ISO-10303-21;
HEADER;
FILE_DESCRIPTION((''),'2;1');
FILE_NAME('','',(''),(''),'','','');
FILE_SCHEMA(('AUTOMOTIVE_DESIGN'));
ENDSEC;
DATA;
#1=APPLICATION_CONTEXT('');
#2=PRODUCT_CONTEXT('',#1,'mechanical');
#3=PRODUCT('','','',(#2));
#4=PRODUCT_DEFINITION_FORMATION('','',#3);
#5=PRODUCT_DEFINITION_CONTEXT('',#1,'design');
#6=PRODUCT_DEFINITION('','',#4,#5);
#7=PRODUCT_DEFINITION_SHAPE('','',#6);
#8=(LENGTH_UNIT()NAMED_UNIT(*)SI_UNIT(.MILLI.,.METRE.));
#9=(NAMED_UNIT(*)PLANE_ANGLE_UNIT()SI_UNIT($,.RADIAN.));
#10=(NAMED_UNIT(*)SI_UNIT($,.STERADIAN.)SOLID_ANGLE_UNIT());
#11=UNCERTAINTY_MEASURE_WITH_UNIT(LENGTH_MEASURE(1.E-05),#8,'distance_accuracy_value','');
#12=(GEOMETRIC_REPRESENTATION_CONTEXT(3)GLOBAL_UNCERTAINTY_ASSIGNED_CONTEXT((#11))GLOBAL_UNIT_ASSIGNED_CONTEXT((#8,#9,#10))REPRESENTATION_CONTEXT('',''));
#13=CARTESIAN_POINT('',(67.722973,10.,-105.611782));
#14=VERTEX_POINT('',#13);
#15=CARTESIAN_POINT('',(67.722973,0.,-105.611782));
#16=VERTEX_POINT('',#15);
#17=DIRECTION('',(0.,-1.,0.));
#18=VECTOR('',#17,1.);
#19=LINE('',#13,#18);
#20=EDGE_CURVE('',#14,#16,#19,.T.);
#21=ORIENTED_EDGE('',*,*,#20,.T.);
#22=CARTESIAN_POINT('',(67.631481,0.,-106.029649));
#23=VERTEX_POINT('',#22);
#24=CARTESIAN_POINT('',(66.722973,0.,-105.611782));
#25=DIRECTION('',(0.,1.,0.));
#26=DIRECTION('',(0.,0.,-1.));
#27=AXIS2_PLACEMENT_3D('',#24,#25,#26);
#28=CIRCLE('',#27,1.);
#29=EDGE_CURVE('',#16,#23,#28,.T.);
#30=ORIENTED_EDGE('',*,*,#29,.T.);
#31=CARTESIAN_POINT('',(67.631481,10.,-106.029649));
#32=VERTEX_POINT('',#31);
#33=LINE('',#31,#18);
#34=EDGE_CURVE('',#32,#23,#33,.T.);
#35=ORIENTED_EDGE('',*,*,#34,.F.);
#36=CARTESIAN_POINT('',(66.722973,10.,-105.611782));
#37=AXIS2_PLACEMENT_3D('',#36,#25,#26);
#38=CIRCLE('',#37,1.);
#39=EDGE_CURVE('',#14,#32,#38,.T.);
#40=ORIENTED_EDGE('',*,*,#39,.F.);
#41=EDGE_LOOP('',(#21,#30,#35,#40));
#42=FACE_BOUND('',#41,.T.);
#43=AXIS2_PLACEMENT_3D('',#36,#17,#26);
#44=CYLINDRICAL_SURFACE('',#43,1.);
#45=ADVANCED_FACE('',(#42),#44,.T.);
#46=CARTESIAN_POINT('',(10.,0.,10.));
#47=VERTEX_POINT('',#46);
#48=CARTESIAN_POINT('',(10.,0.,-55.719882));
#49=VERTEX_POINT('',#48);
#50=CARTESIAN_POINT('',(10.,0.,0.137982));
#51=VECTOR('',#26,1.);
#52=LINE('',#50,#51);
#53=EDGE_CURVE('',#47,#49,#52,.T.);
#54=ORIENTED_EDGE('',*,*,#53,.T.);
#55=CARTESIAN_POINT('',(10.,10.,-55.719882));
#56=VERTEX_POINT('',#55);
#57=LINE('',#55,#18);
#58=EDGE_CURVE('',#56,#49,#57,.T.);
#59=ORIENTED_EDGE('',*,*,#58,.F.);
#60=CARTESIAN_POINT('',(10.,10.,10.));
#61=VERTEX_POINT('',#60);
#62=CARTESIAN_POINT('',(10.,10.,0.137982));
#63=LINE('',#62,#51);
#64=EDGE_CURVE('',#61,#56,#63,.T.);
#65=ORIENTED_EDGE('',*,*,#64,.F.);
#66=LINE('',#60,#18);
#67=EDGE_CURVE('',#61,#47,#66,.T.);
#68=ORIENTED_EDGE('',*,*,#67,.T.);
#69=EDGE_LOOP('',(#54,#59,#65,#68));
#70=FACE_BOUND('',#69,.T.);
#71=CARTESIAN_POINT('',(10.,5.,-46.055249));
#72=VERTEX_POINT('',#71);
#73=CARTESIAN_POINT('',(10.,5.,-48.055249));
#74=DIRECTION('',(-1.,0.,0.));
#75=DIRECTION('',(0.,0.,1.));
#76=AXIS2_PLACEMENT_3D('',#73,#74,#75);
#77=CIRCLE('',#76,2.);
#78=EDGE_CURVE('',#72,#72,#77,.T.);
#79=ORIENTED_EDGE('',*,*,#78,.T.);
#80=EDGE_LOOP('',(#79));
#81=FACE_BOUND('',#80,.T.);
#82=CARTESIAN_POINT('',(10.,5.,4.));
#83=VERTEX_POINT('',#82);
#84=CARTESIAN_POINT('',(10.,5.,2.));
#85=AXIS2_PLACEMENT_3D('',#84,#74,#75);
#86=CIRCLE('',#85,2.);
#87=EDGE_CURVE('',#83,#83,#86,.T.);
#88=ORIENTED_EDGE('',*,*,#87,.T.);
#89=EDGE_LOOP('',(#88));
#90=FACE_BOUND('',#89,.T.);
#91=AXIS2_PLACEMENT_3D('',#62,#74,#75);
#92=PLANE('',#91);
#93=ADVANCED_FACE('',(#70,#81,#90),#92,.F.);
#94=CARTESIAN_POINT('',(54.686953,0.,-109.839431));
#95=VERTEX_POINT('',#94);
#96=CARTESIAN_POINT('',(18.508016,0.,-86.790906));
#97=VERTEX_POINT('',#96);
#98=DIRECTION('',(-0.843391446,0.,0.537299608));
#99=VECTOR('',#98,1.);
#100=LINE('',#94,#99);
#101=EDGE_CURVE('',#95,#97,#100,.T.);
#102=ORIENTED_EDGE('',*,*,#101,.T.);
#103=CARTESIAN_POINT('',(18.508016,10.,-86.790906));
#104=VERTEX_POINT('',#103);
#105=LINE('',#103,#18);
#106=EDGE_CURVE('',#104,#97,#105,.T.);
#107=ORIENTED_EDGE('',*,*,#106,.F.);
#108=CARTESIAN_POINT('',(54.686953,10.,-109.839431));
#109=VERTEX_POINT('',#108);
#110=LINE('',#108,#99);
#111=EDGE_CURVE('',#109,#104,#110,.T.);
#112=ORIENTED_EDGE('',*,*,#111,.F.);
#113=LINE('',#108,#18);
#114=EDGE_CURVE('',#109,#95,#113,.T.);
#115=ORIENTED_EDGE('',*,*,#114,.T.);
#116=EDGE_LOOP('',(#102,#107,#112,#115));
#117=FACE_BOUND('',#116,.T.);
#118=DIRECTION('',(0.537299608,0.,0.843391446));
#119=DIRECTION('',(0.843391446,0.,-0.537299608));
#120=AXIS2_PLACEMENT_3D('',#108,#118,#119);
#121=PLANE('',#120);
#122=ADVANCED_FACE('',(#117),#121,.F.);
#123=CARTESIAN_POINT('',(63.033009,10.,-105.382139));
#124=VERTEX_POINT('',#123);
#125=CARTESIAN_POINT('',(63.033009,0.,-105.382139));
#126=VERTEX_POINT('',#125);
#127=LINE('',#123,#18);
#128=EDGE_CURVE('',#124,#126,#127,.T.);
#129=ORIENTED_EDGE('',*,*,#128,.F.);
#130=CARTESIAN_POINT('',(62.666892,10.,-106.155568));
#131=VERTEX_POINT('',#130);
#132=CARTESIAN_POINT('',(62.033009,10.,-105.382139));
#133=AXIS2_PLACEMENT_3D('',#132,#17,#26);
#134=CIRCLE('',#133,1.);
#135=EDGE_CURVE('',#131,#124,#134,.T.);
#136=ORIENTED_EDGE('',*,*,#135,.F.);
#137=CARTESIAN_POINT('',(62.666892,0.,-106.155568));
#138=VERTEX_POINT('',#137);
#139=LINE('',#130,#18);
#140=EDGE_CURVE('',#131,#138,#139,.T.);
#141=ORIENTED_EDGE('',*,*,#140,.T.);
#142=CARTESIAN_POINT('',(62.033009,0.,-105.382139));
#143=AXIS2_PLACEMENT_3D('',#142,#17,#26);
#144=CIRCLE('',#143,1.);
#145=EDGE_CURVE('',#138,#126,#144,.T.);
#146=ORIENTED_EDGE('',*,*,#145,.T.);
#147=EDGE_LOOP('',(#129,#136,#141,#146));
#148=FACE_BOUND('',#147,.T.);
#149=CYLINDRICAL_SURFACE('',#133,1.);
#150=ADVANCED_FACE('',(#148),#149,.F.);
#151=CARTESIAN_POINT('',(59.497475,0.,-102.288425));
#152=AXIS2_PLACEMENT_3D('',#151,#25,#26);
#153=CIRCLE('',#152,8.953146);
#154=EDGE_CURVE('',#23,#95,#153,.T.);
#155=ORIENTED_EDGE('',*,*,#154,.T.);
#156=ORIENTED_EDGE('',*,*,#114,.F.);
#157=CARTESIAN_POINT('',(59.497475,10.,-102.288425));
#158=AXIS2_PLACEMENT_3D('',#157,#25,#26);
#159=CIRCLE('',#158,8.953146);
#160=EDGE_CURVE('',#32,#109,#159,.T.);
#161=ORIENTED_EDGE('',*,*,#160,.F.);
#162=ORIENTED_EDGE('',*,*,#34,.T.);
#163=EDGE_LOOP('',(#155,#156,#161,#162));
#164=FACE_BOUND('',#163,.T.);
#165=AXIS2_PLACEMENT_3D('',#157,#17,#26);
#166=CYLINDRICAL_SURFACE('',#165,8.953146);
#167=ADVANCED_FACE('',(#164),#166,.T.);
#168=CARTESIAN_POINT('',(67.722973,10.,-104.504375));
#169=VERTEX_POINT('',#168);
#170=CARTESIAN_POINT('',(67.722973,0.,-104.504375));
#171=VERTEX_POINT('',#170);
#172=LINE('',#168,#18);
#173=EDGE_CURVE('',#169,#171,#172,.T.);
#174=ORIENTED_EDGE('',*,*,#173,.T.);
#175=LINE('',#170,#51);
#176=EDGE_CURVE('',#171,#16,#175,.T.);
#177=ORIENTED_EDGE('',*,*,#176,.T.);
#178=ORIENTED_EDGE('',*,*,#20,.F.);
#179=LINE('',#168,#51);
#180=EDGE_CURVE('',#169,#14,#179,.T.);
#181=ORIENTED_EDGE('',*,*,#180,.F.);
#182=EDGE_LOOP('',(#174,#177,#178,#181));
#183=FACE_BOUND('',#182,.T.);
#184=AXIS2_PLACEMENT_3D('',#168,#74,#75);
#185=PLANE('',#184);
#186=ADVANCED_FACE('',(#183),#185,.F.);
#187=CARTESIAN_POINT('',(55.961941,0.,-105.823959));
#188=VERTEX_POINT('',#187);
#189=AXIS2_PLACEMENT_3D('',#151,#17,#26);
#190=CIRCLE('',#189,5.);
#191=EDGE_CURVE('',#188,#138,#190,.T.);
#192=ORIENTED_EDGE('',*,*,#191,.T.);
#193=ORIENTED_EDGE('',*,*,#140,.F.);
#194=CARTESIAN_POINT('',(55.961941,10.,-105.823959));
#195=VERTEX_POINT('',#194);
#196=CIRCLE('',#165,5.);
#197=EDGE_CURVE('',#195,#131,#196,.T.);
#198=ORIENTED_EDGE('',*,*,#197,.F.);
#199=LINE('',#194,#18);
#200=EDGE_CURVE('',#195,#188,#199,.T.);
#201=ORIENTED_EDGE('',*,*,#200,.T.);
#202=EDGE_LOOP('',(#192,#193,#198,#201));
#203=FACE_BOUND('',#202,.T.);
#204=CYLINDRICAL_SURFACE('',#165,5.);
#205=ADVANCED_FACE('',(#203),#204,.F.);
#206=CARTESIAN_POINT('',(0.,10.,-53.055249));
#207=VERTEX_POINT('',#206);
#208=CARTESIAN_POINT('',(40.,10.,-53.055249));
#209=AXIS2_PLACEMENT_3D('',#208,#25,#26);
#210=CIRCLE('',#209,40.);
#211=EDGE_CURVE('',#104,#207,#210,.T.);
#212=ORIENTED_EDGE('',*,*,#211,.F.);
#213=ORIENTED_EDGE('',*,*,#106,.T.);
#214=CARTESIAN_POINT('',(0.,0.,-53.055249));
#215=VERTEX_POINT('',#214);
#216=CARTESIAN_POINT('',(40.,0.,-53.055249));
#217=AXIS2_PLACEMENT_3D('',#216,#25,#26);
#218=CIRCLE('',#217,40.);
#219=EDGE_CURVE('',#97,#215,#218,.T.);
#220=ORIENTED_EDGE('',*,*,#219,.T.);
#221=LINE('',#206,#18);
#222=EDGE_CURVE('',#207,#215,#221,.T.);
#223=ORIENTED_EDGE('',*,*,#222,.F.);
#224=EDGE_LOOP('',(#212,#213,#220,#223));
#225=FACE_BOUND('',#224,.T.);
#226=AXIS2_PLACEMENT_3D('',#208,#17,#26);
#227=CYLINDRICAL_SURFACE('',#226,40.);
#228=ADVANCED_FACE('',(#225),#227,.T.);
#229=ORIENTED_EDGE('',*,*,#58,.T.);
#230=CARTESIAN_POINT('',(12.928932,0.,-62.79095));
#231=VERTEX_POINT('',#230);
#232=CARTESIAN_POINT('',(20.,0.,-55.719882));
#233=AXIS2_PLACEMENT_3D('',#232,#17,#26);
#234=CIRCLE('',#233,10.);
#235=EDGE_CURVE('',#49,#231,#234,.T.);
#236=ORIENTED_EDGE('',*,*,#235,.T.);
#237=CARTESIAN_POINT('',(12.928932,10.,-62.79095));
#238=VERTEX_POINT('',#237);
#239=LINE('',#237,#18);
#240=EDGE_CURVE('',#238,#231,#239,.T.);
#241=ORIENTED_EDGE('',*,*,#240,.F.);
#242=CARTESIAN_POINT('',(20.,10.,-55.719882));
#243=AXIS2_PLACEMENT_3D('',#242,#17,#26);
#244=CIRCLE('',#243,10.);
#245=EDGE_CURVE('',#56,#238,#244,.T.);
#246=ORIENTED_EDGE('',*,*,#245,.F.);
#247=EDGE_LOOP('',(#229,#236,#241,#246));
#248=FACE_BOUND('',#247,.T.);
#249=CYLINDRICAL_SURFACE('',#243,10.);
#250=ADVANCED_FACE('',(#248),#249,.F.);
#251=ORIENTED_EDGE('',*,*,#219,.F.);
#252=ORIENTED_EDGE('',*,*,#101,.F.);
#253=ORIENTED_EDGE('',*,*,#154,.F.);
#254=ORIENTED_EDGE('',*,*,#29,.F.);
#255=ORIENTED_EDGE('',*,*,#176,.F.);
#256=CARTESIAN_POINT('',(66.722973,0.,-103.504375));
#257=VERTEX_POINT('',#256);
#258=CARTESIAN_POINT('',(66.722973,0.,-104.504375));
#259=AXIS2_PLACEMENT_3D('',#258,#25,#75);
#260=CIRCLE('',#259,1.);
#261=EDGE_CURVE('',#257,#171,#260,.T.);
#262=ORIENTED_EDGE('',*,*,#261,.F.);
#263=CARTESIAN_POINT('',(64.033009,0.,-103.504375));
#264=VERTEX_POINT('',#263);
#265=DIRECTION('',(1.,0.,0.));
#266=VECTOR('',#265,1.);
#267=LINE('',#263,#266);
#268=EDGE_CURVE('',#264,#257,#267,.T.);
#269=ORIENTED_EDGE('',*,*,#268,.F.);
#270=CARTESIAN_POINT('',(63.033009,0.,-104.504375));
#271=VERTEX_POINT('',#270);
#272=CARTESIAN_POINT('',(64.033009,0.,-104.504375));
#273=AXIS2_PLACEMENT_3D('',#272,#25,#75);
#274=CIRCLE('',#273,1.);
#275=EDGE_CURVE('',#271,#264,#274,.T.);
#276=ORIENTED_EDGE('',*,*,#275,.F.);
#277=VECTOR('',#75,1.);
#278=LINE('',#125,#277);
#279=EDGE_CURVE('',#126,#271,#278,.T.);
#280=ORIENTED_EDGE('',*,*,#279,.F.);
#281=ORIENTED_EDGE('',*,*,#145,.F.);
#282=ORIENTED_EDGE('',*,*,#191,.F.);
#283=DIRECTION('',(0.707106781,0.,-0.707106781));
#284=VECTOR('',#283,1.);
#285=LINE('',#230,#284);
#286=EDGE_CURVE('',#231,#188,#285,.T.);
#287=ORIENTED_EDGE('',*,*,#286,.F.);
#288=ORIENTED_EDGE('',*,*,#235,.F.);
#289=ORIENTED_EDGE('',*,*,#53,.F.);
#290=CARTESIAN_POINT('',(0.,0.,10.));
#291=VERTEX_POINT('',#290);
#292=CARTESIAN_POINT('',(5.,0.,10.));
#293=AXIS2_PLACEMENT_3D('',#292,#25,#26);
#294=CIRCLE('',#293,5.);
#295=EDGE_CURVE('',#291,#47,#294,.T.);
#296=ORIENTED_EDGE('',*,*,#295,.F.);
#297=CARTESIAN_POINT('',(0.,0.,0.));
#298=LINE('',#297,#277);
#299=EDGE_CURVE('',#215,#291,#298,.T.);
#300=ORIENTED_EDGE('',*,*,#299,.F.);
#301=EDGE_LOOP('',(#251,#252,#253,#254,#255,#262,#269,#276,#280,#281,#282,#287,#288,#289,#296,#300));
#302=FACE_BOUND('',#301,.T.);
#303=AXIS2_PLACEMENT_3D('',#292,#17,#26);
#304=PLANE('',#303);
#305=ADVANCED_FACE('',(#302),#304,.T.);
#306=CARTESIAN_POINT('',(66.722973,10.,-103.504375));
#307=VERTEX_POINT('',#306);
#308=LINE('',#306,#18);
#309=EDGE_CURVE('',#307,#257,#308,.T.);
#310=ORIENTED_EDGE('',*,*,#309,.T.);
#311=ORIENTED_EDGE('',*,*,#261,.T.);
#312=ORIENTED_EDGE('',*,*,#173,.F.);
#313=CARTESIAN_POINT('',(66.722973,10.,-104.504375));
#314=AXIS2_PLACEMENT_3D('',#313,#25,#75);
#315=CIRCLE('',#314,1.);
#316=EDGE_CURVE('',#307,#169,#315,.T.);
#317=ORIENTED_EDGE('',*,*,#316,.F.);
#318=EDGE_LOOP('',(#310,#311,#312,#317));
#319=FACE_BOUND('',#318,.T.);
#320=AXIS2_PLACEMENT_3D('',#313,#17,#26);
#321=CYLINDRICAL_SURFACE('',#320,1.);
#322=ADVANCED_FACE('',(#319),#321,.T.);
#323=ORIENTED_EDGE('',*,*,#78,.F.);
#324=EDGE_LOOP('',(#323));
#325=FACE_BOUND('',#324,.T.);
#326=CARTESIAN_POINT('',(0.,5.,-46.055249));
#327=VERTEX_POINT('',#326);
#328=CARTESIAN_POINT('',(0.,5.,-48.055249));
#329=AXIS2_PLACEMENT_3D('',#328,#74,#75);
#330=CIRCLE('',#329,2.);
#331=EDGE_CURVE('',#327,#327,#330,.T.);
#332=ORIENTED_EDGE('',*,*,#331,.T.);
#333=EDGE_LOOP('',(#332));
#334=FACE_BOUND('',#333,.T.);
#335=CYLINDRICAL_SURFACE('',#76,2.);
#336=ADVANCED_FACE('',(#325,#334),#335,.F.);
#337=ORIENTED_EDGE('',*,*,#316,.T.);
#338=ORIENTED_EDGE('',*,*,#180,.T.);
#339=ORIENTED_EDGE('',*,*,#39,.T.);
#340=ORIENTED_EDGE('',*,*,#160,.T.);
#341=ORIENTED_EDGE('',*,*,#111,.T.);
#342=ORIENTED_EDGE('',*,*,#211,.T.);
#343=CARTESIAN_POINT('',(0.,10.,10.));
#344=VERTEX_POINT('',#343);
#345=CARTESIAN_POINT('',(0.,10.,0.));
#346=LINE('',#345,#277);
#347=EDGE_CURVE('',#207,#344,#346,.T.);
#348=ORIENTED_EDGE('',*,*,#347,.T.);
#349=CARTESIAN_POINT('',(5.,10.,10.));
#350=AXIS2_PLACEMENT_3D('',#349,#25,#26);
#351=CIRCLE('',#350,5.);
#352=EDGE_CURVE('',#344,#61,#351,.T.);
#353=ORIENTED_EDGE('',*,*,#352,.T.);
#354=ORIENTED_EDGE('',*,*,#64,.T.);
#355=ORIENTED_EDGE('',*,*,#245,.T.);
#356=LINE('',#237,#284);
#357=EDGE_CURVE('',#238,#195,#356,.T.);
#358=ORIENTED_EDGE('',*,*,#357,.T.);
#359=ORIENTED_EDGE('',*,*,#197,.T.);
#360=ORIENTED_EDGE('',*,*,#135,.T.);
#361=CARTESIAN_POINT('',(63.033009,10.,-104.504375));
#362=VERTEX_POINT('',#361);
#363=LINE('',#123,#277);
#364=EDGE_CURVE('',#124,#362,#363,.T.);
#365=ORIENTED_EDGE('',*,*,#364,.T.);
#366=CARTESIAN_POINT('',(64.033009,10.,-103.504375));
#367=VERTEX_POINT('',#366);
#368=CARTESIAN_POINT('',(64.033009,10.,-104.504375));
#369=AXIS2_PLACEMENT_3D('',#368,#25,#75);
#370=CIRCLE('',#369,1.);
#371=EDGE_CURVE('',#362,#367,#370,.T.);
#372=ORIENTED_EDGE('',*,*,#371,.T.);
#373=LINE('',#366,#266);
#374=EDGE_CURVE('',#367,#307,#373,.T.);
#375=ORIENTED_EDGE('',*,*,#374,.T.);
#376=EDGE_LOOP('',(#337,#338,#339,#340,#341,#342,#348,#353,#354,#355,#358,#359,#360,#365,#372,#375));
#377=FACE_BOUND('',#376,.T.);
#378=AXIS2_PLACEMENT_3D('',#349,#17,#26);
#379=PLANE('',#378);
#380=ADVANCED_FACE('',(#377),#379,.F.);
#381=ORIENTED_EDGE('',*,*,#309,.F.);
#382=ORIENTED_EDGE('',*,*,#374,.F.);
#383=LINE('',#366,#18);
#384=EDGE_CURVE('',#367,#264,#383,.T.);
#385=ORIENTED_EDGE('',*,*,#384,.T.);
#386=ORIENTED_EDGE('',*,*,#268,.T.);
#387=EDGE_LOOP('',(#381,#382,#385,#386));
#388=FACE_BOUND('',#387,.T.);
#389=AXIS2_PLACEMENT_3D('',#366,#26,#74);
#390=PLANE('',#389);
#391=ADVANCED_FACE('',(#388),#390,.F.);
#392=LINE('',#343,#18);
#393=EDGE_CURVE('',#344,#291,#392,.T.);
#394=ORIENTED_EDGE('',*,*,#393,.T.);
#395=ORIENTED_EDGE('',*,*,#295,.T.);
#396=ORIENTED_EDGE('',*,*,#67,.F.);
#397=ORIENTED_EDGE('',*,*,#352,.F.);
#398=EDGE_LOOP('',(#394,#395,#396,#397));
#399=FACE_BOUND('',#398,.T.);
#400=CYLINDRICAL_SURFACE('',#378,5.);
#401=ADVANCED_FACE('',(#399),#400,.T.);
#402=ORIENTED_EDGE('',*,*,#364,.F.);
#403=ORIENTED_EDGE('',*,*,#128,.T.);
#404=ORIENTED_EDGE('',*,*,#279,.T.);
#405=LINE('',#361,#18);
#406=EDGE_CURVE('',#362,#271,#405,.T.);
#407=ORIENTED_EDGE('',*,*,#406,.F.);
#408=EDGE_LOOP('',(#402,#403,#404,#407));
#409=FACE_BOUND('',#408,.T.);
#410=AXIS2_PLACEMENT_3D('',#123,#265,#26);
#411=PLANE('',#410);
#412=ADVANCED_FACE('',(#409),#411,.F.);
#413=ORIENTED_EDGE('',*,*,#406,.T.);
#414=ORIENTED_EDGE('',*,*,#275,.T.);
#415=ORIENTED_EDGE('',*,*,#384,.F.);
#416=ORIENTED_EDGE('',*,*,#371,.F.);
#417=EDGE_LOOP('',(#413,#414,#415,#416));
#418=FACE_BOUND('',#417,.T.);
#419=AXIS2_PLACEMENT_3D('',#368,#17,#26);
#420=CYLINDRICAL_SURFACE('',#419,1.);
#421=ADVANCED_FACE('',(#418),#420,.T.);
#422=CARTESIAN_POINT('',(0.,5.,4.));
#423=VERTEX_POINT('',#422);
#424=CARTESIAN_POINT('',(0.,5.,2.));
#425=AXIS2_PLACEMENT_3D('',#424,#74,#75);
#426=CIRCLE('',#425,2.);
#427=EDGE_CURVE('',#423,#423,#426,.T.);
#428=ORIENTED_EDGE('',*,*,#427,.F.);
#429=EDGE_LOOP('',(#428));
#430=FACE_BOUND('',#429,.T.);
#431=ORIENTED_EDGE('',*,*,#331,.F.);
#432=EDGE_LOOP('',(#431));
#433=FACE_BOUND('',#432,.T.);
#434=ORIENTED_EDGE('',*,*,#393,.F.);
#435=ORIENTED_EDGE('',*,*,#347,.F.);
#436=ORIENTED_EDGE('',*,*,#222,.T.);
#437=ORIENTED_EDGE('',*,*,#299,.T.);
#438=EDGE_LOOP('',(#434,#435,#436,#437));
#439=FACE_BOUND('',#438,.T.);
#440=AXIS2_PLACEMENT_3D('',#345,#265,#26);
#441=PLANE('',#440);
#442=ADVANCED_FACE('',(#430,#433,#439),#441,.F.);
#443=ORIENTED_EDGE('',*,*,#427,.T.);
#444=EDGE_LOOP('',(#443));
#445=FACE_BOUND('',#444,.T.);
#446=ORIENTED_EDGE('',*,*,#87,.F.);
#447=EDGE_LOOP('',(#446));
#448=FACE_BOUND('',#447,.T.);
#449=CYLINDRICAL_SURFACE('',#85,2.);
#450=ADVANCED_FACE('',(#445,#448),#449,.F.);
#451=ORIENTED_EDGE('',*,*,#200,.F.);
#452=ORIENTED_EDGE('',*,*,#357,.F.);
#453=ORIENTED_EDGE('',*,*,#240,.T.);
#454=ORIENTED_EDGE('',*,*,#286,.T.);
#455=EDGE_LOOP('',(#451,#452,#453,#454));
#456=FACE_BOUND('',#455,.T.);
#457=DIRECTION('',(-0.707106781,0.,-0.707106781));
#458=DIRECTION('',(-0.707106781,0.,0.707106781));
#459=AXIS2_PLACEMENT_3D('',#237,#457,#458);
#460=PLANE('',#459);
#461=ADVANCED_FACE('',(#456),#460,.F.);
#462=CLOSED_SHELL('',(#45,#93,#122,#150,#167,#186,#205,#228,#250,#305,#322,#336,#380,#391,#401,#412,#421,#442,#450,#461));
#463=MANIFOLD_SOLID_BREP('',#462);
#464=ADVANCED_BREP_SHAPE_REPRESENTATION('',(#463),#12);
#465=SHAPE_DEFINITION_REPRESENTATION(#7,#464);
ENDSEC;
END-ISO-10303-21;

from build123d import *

# Parameters (mm, degrees)
BOSS_EXTRUDE1_DEPTH = 10
SKETCH4_R           = 2
CUT_EXTRUDE3_DEPTH  = 10


with BuildPart() as part:
    # Sketch1 → Boss-Extrude1 (new body)
    with BuildSketch(Plane(origin=(0, 0, 0), x_dir=(1, 0, 0), z_dir=(0, 1, 0))):
        with BuildLine():
            Line((0, 0), (0, 53.055248535))
            ThreePointArc((0, 53.055248535), (4.930929772, 72.294799292), (18.508015666, 86.790906367))
            Line((18.508015666, 86.790906367), (54.686952948, 109.839431377))
            ThreePointArc((54.686952948, 109.839431377), (62.025319105, 110.877302623), (67.631481029, 106.029649267))
            ThreePointArc((67.631481029, 106.029649267), (67.699832136, 105.82566515), (67.722972833, 105.611782234))
            Line((67.722972833, 105.611782234), (67.722972833, 104.504374958))
            ThreePointArc((67.722972833, 104.504374958), (67.430079614, 103.797268177), (66.722972833, 103.504374958))
            Line((66.722972833, 103.504374958), (64.033008589, 103.504374958))
            ThreePointArc((64.033008589, 103.504374958), (63.325901808, 103.797268177), (63.033008589, 104.504374958))
            Line((63.033008589, 104.504374958), (63.033008589, 105.382139034))
            ThreePointArc((63.033008589, 105.382139034), (62.936856883, 105.809992118), (62.666892065, 106.155567594))
            ThreePointArc((62.666892065, 106.155567594), (59.250489983, 107.282320922), (55.961940777, 105.823958698))
            Line((55.961940777, 105.823958698), (12.928932188, 62.790950109))
            ThreePointArc((12.928932188, 62.790950109), (10.761204675, 59.546716621), (10, 55.719882297))
            Line((10, 55.719882297), (10, -0.137982079))
            Line((10, -0.137982079), (10, -10))
            ThreePointArc((10, -10), (5, -15), (0, -10))
            Line((0, -10), (0, 0))
        make_face()
    extrude(amount=BOSS_EXTRUDE1_DEPTH)

    # Sketch4 → Cut-Extrude3 (cut)
    with BuildSketch(Plane.ZY):
        with Locations((-48.055248535, 5)):
            Circle(SKETCH4_R)
        with Locations((2, 5)):
            Circle(SKETCH4_R)
    extrude(amount=-CUT_EXTRUDE3_DEPTH, mode=Mode.SUBTRACT)


solid = part.part
